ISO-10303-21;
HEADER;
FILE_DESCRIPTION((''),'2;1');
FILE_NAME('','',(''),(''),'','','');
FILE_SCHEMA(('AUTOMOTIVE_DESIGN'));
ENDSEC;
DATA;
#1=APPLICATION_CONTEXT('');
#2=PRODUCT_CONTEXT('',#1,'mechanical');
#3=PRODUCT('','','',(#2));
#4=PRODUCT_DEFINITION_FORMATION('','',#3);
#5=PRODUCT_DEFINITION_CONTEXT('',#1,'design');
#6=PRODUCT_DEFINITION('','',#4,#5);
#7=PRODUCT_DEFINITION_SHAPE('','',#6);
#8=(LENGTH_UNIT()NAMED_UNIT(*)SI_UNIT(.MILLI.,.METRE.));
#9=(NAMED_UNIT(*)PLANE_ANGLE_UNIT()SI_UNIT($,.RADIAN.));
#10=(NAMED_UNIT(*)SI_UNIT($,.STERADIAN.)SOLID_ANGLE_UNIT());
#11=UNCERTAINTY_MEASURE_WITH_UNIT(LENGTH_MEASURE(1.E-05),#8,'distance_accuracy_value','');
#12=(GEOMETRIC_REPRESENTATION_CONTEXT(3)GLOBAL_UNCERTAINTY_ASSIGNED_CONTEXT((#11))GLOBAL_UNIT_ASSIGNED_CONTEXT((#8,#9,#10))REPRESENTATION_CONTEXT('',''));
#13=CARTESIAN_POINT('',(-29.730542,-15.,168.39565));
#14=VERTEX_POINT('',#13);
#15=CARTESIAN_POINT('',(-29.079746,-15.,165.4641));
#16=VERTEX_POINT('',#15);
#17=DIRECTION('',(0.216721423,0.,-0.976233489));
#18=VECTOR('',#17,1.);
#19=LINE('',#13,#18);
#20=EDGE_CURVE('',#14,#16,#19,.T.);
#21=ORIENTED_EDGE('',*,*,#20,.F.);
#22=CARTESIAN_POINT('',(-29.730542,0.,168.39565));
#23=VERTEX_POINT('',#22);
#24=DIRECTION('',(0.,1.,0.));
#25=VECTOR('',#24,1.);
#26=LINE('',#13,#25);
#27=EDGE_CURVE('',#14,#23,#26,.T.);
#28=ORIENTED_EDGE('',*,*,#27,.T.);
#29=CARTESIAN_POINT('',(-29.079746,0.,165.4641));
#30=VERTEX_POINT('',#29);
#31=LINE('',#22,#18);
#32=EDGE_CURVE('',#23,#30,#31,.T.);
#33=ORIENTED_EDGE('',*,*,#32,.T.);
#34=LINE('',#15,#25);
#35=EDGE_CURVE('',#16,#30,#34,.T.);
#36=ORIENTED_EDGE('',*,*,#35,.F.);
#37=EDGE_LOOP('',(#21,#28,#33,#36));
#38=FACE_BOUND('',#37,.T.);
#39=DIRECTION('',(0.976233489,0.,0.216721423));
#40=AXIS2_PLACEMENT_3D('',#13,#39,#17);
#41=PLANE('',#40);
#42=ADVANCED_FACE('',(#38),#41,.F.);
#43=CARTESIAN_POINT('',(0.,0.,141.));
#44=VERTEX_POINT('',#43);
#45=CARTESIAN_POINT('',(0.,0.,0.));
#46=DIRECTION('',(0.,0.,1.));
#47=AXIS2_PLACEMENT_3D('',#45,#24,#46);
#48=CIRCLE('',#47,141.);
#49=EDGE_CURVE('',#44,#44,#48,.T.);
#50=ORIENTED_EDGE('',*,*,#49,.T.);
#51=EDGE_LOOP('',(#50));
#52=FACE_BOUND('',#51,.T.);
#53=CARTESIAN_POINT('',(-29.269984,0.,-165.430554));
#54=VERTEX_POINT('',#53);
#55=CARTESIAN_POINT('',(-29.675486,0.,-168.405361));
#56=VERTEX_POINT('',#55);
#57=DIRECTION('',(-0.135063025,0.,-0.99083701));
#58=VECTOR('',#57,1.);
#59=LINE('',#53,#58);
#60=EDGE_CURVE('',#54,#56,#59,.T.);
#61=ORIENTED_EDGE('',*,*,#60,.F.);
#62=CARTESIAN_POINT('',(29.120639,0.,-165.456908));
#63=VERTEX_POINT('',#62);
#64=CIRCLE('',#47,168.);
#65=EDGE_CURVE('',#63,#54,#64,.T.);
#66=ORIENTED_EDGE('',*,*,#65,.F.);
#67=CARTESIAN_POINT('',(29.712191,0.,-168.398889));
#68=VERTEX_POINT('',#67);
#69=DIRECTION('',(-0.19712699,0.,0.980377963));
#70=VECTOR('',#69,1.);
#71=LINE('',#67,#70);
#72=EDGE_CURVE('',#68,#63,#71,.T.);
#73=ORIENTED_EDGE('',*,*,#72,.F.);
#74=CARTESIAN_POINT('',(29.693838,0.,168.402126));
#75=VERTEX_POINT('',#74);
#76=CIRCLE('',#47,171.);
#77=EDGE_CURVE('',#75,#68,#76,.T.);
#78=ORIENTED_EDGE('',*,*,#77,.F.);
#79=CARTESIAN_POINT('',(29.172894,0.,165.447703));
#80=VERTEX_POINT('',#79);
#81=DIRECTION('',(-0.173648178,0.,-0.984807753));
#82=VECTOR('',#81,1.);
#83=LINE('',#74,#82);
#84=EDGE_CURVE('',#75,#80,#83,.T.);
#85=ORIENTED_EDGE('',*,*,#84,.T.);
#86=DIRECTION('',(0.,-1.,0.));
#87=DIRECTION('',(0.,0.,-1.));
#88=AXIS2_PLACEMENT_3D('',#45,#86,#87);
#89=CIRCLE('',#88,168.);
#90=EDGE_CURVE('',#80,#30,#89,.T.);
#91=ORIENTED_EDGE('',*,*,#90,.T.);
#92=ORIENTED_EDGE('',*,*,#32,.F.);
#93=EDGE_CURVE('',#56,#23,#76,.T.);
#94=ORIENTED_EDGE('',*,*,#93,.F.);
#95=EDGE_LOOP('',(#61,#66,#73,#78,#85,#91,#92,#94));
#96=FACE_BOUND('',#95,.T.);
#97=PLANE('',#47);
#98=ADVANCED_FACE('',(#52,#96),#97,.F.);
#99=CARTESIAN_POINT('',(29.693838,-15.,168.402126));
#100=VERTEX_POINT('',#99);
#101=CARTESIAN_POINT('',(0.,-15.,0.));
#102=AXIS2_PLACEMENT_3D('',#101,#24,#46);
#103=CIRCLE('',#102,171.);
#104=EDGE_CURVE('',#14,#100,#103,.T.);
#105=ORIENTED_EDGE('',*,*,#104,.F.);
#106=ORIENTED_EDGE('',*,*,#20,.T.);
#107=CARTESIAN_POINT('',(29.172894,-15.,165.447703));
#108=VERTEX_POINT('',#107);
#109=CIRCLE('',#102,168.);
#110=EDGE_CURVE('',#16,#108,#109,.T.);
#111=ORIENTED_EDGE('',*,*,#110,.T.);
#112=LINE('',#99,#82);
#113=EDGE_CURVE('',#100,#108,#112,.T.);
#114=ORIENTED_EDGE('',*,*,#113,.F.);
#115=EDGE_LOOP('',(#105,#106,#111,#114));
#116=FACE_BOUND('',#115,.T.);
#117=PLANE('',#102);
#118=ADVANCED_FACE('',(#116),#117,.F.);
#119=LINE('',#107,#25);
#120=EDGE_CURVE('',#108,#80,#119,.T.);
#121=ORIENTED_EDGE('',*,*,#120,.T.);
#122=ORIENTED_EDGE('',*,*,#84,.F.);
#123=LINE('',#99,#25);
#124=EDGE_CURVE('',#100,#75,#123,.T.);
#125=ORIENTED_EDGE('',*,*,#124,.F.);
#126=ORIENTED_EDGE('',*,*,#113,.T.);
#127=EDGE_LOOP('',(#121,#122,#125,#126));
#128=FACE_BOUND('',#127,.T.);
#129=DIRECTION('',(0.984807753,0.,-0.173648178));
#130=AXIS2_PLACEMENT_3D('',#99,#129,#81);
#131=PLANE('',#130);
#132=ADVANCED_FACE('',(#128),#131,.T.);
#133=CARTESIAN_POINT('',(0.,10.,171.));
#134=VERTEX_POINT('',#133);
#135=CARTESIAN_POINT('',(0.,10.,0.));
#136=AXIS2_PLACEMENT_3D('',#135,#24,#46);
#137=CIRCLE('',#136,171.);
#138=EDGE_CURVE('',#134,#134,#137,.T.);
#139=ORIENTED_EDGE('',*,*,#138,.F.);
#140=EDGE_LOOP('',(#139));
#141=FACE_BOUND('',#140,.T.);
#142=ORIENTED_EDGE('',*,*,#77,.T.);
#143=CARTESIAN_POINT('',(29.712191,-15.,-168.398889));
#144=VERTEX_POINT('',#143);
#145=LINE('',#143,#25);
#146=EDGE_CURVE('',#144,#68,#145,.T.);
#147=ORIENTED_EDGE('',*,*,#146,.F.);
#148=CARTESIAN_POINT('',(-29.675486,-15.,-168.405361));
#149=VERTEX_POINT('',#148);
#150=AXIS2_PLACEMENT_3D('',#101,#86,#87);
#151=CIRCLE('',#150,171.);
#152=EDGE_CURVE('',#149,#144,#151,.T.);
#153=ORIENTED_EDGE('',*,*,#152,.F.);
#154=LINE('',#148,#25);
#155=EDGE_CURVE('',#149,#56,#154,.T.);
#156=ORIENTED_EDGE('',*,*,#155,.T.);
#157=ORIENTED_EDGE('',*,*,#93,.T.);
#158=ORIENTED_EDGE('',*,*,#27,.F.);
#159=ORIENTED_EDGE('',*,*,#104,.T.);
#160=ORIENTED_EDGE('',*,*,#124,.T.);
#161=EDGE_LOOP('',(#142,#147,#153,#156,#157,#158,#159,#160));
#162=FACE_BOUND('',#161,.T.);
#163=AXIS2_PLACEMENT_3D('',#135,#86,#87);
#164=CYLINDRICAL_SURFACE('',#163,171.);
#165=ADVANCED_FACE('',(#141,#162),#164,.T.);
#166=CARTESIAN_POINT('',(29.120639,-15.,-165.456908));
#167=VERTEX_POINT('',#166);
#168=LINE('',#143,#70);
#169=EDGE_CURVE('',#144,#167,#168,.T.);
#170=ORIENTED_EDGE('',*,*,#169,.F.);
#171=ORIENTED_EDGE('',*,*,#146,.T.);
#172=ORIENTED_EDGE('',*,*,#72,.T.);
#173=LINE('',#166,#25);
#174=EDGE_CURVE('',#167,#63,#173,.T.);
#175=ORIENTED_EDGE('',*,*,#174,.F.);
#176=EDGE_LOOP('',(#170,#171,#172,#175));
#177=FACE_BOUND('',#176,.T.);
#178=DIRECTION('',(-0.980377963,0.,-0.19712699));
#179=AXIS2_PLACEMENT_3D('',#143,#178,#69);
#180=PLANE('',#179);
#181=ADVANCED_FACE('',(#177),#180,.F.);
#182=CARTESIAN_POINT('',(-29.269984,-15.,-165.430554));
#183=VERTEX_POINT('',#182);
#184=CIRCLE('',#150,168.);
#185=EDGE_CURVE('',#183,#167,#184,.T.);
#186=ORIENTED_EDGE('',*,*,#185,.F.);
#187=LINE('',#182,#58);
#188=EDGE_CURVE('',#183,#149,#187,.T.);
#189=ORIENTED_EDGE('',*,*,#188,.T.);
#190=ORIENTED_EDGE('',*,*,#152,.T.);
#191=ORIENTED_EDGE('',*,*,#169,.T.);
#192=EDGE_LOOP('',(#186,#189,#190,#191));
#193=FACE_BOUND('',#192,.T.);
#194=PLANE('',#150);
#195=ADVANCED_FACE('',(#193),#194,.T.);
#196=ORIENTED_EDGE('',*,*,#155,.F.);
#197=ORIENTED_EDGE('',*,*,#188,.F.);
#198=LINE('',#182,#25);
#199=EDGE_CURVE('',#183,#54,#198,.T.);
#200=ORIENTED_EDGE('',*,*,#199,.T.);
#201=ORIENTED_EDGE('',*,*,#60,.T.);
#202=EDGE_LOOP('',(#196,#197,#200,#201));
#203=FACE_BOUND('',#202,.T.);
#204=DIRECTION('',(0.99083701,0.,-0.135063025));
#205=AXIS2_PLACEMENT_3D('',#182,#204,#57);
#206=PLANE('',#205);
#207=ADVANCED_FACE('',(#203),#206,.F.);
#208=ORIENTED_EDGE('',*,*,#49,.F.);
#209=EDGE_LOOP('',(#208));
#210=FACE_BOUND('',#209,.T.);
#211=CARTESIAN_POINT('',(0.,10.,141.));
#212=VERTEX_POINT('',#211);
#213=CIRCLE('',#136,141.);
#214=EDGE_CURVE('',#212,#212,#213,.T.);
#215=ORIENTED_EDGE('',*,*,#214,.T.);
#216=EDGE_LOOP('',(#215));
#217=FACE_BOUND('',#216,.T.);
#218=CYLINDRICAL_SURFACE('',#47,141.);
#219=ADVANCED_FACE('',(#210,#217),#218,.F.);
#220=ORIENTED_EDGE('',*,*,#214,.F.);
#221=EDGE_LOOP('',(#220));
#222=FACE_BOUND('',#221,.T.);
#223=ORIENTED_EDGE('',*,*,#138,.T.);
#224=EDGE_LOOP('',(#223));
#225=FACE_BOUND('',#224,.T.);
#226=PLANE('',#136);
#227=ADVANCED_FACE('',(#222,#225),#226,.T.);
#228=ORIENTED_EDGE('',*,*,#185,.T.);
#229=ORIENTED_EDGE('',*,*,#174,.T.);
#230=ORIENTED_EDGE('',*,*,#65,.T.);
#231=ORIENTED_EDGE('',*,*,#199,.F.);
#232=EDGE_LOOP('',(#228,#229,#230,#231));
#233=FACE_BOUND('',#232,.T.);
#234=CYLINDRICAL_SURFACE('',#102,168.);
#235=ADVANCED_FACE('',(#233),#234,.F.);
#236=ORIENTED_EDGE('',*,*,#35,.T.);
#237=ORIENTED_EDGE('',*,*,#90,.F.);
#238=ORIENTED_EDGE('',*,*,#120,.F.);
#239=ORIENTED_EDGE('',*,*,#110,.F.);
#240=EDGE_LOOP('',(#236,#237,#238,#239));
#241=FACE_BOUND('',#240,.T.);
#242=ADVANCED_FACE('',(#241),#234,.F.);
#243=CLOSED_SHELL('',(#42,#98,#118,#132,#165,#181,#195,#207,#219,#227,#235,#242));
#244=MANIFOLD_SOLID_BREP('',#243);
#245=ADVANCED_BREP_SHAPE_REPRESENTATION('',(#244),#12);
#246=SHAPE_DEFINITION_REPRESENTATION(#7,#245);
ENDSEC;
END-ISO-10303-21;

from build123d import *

# Parameters (mm, degrees)
SKETCH1_R           = 171
BOSS_EXTRUDE1_DEPTH = 10
SKETCH2_R           = 141
CUT_EXTRUDE1_DEPTH  = 11
BOSS_EXTRUDE2_DEPTH = 15
BOSS_EXTRUDE3_DEPTH = 15


with BuildPart() as part:
    # Sketch1 → Boss-Extrude1 (new body)
    with BuildSketch(Plane(origin=(0, 0, 0), x_dir=(1, 0, 0), z_dir=(0, 1, 0))):
        Circle(SKETCH1_R)
    extrude(amount=BOSS_EXTRUDE1_DEPTH)

    # Sketch2 → Cut-Extrude1 (cut, through all)
    with BuildSketch(Plane(origin=(0, 10, 0), x_dir=(1, 0, 0), z_dir=(0, 1, 0))):
        Circle(SKETCH2_R)
    extrude(amount=-CUT_EXTRUDE1_DEPTH, mode=Mode.SUBTRACT)

    # Sketch3 → Boss-Extrude2 (add)
    with BuildSketch(Plane.XZ):
        with BuildLine():
            Line((29.693838381, 168.402125765), (29.172893848, 165.447702506))
            ThreePointArc((29.172893848, 165.447702506), (14.689274555, 167.356581027), (0.094580612, 167.999973377))
            ThreePointArc((0.094580612, 167.999973377), (-14.547941757, 167.368926001), (-29.079745505, 165.464100038))
            Line((-29.079745505, 165.464100038), (-29.730542301, 168.395649749))
            ThreePointArc((-29.730542301, 168.395649749), (-14.940760682, 170.346040959), (-0.037270853, 170.999995938))
            ThreePointArc((-0.037270853, 170.999995938), (14.885067408, 170.350916547), (29.693838381, 168.402125765))
        make_face()
    extrude(amount=BOSS_EXTRUDE2_DEPTH)

    # Sketch4 → Boss-Extrude3 (add)
    with BuildSketch(Plane.XZ):
        with BuildLine():
            Line((29.712190517, -168.398888757), (29.120639245, -165.456907894))
            ThreePointArc((29.120639245, -165.456907894), (14.566625791, -167.367300907), (-0.098592842, -167.99997107))
            ThreePointArc((-0.098592842, -167.99997107), (-14.740379926, -167.352087527), (-29.269983819, -165.430553548))
            Line((-29.269983819, -165.430553548), (-29.675485892, -168.405360773))
            ThreePointArc((-29.675485892, -168.405360773), (-14.885067408, -170.350916547), (0.018635427, -170.999998985))
            ThreePointArc((0.018635427, -170.999998985), (14.922196434, -170.347668178), (29.712190517, -168.398888757))
        make_face()
    extrude(amount=BOSS_EXTRUDE3_DEPTH)


solid = part.part
